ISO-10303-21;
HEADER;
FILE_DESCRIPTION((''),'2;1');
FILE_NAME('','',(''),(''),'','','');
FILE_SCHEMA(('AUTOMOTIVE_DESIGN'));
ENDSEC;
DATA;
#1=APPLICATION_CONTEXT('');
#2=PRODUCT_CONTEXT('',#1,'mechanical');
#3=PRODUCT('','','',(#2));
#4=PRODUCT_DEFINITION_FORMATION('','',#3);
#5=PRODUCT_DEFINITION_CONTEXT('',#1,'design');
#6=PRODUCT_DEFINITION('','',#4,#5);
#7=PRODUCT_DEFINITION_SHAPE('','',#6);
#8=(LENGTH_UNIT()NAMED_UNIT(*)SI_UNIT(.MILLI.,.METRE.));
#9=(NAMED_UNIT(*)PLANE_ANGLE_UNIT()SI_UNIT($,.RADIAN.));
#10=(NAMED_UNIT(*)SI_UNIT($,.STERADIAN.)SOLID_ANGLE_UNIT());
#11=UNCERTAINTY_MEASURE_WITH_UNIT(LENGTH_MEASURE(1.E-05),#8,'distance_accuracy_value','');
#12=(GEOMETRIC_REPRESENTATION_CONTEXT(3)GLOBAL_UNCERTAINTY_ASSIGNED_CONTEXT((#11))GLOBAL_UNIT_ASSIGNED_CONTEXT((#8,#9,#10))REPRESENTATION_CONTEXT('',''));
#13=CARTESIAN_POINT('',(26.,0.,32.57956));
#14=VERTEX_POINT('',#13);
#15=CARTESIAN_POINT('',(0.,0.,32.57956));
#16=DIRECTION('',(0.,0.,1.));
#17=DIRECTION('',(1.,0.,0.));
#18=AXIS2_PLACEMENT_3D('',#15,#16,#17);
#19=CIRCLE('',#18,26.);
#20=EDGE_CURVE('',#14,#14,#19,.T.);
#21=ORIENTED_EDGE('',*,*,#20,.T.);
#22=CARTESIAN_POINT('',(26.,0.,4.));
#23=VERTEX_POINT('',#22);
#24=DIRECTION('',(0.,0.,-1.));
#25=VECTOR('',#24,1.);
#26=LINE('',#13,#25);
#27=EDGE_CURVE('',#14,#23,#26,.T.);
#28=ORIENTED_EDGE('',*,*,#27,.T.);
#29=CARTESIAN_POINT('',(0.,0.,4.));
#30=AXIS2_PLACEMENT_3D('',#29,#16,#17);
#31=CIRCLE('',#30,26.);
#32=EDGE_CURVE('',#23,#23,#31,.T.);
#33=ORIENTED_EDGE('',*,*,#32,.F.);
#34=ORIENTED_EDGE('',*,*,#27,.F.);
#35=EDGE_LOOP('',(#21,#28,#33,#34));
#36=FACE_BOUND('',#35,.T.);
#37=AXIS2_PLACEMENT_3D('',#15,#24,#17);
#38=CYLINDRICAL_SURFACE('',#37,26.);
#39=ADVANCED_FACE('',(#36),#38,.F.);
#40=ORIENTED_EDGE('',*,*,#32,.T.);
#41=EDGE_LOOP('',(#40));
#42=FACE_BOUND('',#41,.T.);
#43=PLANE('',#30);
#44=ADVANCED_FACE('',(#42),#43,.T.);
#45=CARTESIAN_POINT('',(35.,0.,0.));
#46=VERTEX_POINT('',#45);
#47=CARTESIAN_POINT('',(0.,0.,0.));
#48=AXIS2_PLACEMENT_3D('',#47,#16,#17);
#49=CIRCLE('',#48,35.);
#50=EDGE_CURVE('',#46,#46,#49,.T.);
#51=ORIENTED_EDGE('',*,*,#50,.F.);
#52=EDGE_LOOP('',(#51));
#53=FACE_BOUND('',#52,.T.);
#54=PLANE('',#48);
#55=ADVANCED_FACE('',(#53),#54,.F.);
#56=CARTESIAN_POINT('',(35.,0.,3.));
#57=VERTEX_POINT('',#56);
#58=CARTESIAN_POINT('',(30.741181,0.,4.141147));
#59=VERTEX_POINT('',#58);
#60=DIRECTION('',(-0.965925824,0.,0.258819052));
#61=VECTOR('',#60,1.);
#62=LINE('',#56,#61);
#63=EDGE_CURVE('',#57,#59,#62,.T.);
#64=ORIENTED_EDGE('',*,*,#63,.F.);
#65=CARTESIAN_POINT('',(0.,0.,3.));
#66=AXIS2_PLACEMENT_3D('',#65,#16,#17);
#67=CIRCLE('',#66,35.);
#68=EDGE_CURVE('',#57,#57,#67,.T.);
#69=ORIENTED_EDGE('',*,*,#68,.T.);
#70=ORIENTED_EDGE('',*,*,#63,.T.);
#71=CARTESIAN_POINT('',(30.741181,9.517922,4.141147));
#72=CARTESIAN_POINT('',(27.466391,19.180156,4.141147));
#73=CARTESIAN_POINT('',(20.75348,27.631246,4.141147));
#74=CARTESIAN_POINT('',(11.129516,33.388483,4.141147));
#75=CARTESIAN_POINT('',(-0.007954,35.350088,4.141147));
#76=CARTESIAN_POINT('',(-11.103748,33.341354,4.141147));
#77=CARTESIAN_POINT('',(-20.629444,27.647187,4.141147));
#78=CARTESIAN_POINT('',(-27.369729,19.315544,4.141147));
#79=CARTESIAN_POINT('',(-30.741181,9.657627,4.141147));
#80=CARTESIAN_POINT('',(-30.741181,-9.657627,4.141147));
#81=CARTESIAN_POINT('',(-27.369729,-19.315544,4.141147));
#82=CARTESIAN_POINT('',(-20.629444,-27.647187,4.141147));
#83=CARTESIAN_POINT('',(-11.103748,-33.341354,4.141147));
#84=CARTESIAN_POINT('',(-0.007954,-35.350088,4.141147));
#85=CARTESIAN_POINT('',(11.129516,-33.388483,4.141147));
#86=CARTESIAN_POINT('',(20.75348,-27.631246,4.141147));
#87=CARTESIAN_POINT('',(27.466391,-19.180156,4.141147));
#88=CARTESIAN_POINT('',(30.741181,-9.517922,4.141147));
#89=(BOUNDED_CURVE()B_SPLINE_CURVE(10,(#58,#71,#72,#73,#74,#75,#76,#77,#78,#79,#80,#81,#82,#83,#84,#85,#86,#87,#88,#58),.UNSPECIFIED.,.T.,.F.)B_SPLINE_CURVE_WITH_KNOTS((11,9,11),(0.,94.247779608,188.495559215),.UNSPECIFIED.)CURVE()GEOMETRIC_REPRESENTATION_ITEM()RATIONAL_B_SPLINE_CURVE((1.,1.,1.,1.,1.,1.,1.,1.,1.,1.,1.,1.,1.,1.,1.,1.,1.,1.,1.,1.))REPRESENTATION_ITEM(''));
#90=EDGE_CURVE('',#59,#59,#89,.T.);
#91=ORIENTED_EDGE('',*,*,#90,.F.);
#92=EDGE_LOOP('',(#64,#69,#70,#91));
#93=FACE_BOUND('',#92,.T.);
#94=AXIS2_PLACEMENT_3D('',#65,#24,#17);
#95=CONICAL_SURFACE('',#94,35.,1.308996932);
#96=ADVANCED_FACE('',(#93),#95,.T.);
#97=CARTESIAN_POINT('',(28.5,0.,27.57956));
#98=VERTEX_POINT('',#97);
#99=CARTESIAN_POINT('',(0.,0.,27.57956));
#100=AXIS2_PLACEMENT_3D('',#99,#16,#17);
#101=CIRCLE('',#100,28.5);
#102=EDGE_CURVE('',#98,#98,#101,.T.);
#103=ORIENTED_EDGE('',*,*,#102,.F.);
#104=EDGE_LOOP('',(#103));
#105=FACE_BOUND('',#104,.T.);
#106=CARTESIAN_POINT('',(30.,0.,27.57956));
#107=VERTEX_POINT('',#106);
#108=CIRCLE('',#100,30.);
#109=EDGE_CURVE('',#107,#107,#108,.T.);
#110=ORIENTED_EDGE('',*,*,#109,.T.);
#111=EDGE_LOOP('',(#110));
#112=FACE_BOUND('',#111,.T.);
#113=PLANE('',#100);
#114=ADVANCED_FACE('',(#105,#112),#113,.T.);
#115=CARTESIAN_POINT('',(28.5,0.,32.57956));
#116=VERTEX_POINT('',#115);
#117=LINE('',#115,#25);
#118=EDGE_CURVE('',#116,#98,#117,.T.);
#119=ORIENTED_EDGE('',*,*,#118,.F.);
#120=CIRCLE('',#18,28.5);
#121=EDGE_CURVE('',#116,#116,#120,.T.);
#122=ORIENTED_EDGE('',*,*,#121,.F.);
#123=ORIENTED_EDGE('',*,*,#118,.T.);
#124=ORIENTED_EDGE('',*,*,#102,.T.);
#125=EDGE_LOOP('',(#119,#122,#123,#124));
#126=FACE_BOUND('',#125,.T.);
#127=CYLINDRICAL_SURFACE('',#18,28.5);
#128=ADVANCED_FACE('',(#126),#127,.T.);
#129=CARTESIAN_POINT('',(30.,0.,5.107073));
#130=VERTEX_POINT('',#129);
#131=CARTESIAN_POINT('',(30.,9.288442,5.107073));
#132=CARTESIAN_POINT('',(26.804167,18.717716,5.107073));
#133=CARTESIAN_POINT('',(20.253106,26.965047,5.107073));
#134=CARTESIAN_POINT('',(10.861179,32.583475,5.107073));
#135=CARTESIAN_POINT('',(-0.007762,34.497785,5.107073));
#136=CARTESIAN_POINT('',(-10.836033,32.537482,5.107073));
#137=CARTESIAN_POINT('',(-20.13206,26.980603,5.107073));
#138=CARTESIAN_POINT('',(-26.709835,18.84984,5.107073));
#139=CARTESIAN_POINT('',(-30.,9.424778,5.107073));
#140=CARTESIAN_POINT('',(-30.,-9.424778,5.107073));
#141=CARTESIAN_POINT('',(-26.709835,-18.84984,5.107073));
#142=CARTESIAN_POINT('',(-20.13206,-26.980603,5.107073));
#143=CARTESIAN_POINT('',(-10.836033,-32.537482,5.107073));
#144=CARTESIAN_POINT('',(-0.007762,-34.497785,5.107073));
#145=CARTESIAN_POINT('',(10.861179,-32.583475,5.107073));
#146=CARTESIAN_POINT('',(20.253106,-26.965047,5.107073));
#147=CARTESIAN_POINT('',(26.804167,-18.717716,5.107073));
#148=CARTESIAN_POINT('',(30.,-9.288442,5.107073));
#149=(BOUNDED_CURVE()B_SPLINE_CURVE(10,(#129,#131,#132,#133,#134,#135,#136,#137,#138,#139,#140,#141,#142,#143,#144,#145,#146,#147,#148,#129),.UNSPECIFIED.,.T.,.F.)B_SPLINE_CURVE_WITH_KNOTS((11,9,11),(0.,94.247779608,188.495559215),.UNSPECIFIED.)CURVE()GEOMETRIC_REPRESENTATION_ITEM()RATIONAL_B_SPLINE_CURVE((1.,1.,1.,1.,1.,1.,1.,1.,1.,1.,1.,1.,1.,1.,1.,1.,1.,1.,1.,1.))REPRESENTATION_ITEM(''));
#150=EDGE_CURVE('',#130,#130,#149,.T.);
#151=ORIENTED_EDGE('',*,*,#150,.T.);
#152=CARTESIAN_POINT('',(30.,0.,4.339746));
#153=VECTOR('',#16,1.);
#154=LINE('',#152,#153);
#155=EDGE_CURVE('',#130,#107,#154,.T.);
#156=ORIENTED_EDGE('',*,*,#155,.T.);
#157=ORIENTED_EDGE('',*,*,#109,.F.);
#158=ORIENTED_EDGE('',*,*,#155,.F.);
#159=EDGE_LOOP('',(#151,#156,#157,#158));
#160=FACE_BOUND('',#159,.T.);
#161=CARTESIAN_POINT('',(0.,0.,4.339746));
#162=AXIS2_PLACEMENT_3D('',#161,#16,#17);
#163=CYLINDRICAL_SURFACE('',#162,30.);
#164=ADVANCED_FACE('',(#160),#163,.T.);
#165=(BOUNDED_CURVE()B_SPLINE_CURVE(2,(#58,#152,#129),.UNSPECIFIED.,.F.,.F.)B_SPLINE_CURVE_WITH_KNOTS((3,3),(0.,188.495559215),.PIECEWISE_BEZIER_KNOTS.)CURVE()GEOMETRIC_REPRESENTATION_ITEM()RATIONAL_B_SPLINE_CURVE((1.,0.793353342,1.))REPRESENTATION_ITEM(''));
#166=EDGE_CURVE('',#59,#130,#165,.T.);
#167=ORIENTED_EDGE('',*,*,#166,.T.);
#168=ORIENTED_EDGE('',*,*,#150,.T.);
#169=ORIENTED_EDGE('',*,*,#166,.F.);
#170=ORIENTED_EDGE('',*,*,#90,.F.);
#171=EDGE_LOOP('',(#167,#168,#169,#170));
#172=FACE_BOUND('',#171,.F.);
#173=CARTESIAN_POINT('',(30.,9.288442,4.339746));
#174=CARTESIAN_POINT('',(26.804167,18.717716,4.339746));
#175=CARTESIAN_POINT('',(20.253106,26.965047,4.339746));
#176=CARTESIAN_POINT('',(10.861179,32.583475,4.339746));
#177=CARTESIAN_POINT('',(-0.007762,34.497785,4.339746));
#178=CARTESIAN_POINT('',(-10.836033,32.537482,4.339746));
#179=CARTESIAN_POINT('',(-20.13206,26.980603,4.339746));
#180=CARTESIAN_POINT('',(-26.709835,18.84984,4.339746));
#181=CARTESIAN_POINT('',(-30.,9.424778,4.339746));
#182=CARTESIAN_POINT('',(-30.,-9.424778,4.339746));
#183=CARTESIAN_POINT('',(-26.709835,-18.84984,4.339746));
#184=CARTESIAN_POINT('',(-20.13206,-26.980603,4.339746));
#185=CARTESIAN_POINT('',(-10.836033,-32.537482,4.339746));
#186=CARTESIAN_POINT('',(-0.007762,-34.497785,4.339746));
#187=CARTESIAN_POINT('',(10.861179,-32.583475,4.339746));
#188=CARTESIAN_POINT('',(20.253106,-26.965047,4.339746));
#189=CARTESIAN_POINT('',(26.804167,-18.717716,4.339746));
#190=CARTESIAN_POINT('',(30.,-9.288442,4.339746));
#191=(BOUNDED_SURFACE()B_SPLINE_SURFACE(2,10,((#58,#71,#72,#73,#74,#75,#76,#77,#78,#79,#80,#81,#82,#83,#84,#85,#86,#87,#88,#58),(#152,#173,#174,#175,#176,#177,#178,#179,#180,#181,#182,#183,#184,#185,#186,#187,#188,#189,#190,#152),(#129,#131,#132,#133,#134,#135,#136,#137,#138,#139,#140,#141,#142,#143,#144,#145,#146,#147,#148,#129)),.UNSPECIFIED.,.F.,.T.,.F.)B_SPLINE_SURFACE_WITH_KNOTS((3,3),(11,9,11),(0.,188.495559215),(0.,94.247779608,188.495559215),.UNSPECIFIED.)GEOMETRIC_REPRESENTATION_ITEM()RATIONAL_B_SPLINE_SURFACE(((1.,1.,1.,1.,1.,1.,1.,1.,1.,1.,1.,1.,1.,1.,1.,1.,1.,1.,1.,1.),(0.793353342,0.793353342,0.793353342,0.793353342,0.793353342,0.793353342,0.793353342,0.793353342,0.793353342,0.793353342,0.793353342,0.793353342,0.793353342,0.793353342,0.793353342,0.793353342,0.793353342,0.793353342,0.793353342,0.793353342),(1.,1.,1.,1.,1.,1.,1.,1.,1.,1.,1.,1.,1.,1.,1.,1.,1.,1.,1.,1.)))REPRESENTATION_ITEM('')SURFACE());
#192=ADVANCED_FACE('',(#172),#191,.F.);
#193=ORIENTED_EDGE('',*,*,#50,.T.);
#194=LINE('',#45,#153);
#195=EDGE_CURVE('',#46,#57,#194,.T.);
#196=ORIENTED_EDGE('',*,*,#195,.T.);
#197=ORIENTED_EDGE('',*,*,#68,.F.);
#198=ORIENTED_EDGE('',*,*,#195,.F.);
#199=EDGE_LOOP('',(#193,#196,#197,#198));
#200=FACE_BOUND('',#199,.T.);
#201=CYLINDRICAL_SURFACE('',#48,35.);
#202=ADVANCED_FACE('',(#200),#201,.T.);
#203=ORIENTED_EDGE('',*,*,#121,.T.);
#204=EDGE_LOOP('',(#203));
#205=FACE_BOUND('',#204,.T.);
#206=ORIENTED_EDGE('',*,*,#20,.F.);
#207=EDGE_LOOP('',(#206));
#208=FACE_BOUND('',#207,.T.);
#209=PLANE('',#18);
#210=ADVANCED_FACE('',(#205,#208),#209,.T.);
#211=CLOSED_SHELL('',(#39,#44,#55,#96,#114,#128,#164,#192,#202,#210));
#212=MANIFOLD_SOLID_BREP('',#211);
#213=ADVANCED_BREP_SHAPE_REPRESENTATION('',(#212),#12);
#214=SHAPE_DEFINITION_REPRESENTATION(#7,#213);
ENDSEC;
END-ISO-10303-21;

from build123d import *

# Parameters (mm, degrees)
F2_R     = 30
F2_R_2   = 28.5
F3_DEPTH = 5
F4_R     = 1


with BuildPart() as f1:
    # F0 (on Front) → F1 (revolve)
    with BuildSketch(Plane.XZ):
        Polygon((0, 4), (0, 0), (35, 0), (35, 3), (30, 4.339746), (30, 32.57956), (26, 32.57956), (26, 4), align=None)
    revolve(axis=Axis((0, 0, 16.28978), (0, 0, 1)))

    # F2 (on face) → F3 (cut)
    with BuildSketch(Plane.XY.offset(32.57956)):
        Circle(F2_R)
        Circle(F2_R_2, mode=Mode.SUBTRACT)
    extrude(amount=-F3_DEPTH, mode=Mode.SUBTRACT)

    # F4
    f4_edges = [f1.edges().sort_by_distance(p)[0] for p in [
        (-30, 0, 4.339746),
    ]]
    fillet(f4_edges, radius=F4_R)


solid = f1.part
